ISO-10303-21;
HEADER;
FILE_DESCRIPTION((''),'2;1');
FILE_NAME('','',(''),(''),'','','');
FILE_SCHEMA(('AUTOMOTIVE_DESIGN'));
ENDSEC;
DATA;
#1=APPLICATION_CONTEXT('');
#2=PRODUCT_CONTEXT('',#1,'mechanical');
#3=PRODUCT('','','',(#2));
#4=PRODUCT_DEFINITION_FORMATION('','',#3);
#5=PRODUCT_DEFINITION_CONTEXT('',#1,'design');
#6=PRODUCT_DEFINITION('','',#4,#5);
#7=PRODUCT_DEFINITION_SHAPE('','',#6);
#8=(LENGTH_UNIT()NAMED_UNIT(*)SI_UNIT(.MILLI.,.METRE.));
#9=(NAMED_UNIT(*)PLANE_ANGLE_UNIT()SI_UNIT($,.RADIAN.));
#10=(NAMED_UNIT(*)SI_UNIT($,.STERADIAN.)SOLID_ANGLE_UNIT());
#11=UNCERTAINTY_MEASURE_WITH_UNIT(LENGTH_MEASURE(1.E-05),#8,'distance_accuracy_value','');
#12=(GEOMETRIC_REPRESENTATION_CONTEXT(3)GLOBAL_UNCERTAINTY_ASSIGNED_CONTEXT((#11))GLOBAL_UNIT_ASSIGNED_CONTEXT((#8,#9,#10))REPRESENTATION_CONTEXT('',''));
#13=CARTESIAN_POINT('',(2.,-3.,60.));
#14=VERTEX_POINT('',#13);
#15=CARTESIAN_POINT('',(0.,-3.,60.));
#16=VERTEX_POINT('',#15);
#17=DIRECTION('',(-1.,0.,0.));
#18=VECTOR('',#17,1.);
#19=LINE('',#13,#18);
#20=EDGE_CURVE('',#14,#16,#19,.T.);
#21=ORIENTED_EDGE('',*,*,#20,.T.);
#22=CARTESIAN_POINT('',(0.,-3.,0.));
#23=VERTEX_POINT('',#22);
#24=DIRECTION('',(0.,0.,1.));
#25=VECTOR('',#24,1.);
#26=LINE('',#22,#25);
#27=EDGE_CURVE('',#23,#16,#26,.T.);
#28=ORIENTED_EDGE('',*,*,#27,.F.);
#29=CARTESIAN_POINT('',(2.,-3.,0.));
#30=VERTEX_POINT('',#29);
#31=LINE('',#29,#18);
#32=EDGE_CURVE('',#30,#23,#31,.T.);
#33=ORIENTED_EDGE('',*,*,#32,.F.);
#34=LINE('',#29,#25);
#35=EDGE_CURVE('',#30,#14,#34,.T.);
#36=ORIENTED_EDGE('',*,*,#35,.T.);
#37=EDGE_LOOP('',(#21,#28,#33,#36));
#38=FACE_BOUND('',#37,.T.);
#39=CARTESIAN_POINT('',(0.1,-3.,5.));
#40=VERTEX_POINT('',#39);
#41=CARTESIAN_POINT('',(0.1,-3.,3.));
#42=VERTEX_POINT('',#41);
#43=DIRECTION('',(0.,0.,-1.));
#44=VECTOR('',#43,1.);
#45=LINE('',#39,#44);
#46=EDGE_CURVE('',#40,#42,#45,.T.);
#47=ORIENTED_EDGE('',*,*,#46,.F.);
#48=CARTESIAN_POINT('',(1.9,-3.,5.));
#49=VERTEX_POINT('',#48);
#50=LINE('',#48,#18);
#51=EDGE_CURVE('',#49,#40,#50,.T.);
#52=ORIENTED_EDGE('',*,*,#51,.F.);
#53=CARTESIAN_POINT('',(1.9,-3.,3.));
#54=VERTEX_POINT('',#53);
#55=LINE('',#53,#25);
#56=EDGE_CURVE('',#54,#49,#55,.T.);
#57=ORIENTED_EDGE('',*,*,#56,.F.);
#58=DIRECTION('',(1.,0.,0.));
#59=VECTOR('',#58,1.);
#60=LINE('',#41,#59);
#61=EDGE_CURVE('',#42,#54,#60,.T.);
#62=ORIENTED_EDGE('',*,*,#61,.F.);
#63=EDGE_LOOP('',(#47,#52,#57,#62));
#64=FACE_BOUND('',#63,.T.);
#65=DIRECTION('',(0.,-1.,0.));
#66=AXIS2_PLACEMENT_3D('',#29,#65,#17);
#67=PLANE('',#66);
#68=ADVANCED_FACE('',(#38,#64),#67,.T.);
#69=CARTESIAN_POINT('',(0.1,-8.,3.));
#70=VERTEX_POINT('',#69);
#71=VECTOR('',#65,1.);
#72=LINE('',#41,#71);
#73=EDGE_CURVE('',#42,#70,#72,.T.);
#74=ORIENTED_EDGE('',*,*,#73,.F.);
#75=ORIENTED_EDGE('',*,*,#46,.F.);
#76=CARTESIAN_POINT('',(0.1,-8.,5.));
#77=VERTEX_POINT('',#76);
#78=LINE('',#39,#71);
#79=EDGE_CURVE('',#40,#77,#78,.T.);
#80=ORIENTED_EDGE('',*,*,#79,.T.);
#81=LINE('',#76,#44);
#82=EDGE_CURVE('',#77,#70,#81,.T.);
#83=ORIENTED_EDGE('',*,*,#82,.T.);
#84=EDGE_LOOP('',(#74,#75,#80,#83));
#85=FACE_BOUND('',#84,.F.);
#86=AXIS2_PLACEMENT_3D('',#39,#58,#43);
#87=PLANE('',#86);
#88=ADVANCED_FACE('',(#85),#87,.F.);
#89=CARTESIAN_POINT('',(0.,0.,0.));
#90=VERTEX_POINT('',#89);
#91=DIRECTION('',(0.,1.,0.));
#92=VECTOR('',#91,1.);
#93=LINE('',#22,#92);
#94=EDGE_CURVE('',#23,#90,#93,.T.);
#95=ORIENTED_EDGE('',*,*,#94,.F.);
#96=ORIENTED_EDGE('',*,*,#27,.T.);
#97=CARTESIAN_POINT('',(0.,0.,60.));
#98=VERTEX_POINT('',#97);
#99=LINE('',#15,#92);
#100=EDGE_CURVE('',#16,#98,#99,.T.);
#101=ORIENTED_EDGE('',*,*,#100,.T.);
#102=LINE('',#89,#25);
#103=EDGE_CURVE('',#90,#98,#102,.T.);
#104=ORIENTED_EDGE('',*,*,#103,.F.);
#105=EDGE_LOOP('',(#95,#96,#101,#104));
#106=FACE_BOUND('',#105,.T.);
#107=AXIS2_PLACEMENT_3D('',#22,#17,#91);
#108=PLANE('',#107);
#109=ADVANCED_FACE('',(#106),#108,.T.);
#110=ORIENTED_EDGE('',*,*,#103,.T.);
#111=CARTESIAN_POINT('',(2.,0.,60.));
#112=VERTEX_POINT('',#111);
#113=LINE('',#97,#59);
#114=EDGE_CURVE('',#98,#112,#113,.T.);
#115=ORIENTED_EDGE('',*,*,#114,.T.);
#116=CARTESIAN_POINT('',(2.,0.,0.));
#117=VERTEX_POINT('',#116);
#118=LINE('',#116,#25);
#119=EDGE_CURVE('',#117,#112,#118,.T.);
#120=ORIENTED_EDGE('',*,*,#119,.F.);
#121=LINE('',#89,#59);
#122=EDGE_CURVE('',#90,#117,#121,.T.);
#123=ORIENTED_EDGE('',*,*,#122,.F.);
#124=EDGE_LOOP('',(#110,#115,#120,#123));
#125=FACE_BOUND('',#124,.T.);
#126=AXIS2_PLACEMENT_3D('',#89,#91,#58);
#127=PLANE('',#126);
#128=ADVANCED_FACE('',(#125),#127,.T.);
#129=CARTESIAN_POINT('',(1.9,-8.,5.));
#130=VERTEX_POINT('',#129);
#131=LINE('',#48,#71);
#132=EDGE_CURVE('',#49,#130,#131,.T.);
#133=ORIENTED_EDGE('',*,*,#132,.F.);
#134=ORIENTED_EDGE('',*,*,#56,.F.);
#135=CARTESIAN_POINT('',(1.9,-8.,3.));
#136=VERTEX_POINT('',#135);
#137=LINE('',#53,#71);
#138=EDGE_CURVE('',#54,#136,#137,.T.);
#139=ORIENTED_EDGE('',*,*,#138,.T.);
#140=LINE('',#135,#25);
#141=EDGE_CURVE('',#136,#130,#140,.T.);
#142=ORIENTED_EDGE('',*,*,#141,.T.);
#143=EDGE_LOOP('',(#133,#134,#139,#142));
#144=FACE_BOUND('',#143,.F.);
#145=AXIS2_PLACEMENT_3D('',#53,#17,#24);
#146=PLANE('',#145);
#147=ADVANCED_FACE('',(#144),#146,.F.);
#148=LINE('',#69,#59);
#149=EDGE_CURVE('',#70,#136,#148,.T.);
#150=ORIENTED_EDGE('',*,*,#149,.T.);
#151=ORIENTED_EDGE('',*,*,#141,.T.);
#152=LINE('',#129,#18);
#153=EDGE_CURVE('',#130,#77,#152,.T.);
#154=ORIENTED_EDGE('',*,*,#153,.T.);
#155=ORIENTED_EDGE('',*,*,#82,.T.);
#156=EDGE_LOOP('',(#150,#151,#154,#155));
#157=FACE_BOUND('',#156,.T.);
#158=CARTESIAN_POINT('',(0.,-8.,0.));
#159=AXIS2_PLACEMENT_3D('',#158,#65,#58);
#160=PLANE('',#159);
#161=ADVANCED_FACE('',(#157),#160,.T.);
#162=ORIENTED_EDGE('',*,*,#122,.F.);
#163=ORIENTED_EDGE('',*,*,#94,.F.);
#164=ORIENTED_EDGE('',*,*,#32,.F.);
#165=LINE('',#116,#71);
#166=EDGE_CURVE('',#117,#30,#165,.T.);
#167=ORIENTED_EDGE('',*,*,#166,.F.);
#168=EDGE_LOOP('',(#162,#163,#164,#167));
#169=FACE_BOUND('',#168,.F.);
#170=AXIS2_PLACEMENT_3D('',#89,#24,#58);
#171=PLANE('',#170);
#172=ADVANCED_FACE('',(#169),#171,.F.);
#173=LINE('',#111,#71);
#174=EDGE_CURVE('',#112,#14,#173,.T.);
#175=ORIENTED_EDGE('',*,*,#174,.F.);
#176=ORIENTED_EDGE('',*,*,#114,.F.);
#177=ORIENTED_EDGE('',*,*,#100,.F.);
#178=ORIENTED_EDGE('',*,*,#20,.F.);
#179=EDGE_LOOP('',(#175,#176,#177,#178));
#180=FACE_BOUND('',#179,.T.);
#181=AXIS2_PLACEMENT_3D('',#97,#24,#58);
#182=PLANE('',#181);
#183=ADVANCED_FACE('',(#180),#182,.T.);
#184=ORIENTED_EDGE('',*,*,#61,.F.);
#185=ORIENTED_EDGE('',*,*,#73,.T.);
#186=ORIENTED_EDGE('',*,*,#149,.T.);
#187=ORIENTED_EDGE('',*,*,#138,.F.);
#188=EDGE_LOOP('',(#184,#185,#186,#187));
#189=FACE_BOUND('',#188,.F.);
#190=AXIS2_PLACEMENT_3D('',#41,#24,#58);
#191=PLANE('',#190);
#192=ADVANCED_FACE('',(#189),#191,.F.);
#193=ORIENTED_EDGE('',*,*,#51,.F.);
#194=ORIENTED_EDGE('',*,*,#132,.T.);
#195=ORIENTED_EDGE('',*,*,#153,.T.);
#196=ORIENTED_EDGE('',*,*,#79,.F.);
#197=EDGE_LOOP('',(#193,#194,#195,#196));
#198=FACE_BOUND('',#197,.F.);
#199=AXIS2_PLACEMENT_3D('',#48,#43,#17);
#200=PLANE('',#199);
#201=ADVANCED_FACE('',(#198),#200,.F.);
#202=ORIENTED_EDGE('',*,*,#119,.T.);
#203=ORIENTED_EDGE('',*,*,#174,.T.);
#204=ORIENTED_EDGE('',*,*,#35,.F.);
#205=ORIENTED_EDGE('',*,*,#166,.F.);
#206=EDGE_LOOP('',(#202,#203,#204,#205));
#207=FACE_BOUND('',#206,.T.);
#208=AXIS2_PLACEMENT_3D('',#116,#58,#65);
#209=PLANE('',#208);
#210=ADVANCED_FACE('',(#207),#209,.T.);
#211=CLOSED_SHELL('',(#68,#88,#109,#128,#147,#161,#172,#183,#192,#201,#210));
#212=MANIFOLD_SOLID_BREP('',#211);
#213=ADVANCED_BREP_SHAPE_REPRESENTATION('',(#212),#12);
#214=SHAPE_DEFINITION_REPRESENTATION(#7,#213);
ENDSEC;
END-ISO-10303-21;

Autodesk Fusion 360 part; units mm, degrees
sketch "Sketch1" plane through (0, 0, 0) normal (0, 0, 1) x (1, 0, 0)
  line L0 (0, 0) -> (2, 0)
  line L1 (2, 0) -> (2, -3)
  line L2 (2, -3) -> (0, -3)
  line L3 (0, -3) -> (0, 0)
  dimension "d8" = 2
  dimension "d9" = 3
extrude "Extrude1" add sketch "Sketch1" along normal blind 60
sketch "Sketch2" plane through (0, -3, 0) normal (0, -1, 0) x (1, 0, 0)
  line L0 (0, 0) -> (2, 0)
  line L1 (2, 0) -> (2, 60)
  line L2 (2, 60) -> (0, 60)
  line L3 (0, 60) -> (0, 0)
  line L4 (0.1, 3) -> (1.9, 3)
  line L5 (1.9, 3) -> (1.9, 5)
  line L6 (1.9, 5) -> (0.1, 5)
  line L7 (0.1, 5) -> (0.1, 3)
  dimension "d12" = 1.8
  dimension "d13" = 2
  dimension "d16" = 3
  dimension "d17" = 0.1
extrude "Extrude2" add sketch "Sketch2" along normal blind 5 contours L4 L5 L6 L7
equation "length = 60 mm"
equation "width = 3 mm"
equation "height = 2 mm"
equation "dent_length = 5 mm"
equation "dent_width = 2 mm"
equation "dent_height = 1.8 mm"
equation "dent_distance = 3 mm"
equation "d8 = height"
equation "d9 = width"
equation "d10 = length"
equation "d12 = dent_height"
equation "d13 = dent_width"
equation "d14 = dent_length"
equation "d16 = dent_distance"
